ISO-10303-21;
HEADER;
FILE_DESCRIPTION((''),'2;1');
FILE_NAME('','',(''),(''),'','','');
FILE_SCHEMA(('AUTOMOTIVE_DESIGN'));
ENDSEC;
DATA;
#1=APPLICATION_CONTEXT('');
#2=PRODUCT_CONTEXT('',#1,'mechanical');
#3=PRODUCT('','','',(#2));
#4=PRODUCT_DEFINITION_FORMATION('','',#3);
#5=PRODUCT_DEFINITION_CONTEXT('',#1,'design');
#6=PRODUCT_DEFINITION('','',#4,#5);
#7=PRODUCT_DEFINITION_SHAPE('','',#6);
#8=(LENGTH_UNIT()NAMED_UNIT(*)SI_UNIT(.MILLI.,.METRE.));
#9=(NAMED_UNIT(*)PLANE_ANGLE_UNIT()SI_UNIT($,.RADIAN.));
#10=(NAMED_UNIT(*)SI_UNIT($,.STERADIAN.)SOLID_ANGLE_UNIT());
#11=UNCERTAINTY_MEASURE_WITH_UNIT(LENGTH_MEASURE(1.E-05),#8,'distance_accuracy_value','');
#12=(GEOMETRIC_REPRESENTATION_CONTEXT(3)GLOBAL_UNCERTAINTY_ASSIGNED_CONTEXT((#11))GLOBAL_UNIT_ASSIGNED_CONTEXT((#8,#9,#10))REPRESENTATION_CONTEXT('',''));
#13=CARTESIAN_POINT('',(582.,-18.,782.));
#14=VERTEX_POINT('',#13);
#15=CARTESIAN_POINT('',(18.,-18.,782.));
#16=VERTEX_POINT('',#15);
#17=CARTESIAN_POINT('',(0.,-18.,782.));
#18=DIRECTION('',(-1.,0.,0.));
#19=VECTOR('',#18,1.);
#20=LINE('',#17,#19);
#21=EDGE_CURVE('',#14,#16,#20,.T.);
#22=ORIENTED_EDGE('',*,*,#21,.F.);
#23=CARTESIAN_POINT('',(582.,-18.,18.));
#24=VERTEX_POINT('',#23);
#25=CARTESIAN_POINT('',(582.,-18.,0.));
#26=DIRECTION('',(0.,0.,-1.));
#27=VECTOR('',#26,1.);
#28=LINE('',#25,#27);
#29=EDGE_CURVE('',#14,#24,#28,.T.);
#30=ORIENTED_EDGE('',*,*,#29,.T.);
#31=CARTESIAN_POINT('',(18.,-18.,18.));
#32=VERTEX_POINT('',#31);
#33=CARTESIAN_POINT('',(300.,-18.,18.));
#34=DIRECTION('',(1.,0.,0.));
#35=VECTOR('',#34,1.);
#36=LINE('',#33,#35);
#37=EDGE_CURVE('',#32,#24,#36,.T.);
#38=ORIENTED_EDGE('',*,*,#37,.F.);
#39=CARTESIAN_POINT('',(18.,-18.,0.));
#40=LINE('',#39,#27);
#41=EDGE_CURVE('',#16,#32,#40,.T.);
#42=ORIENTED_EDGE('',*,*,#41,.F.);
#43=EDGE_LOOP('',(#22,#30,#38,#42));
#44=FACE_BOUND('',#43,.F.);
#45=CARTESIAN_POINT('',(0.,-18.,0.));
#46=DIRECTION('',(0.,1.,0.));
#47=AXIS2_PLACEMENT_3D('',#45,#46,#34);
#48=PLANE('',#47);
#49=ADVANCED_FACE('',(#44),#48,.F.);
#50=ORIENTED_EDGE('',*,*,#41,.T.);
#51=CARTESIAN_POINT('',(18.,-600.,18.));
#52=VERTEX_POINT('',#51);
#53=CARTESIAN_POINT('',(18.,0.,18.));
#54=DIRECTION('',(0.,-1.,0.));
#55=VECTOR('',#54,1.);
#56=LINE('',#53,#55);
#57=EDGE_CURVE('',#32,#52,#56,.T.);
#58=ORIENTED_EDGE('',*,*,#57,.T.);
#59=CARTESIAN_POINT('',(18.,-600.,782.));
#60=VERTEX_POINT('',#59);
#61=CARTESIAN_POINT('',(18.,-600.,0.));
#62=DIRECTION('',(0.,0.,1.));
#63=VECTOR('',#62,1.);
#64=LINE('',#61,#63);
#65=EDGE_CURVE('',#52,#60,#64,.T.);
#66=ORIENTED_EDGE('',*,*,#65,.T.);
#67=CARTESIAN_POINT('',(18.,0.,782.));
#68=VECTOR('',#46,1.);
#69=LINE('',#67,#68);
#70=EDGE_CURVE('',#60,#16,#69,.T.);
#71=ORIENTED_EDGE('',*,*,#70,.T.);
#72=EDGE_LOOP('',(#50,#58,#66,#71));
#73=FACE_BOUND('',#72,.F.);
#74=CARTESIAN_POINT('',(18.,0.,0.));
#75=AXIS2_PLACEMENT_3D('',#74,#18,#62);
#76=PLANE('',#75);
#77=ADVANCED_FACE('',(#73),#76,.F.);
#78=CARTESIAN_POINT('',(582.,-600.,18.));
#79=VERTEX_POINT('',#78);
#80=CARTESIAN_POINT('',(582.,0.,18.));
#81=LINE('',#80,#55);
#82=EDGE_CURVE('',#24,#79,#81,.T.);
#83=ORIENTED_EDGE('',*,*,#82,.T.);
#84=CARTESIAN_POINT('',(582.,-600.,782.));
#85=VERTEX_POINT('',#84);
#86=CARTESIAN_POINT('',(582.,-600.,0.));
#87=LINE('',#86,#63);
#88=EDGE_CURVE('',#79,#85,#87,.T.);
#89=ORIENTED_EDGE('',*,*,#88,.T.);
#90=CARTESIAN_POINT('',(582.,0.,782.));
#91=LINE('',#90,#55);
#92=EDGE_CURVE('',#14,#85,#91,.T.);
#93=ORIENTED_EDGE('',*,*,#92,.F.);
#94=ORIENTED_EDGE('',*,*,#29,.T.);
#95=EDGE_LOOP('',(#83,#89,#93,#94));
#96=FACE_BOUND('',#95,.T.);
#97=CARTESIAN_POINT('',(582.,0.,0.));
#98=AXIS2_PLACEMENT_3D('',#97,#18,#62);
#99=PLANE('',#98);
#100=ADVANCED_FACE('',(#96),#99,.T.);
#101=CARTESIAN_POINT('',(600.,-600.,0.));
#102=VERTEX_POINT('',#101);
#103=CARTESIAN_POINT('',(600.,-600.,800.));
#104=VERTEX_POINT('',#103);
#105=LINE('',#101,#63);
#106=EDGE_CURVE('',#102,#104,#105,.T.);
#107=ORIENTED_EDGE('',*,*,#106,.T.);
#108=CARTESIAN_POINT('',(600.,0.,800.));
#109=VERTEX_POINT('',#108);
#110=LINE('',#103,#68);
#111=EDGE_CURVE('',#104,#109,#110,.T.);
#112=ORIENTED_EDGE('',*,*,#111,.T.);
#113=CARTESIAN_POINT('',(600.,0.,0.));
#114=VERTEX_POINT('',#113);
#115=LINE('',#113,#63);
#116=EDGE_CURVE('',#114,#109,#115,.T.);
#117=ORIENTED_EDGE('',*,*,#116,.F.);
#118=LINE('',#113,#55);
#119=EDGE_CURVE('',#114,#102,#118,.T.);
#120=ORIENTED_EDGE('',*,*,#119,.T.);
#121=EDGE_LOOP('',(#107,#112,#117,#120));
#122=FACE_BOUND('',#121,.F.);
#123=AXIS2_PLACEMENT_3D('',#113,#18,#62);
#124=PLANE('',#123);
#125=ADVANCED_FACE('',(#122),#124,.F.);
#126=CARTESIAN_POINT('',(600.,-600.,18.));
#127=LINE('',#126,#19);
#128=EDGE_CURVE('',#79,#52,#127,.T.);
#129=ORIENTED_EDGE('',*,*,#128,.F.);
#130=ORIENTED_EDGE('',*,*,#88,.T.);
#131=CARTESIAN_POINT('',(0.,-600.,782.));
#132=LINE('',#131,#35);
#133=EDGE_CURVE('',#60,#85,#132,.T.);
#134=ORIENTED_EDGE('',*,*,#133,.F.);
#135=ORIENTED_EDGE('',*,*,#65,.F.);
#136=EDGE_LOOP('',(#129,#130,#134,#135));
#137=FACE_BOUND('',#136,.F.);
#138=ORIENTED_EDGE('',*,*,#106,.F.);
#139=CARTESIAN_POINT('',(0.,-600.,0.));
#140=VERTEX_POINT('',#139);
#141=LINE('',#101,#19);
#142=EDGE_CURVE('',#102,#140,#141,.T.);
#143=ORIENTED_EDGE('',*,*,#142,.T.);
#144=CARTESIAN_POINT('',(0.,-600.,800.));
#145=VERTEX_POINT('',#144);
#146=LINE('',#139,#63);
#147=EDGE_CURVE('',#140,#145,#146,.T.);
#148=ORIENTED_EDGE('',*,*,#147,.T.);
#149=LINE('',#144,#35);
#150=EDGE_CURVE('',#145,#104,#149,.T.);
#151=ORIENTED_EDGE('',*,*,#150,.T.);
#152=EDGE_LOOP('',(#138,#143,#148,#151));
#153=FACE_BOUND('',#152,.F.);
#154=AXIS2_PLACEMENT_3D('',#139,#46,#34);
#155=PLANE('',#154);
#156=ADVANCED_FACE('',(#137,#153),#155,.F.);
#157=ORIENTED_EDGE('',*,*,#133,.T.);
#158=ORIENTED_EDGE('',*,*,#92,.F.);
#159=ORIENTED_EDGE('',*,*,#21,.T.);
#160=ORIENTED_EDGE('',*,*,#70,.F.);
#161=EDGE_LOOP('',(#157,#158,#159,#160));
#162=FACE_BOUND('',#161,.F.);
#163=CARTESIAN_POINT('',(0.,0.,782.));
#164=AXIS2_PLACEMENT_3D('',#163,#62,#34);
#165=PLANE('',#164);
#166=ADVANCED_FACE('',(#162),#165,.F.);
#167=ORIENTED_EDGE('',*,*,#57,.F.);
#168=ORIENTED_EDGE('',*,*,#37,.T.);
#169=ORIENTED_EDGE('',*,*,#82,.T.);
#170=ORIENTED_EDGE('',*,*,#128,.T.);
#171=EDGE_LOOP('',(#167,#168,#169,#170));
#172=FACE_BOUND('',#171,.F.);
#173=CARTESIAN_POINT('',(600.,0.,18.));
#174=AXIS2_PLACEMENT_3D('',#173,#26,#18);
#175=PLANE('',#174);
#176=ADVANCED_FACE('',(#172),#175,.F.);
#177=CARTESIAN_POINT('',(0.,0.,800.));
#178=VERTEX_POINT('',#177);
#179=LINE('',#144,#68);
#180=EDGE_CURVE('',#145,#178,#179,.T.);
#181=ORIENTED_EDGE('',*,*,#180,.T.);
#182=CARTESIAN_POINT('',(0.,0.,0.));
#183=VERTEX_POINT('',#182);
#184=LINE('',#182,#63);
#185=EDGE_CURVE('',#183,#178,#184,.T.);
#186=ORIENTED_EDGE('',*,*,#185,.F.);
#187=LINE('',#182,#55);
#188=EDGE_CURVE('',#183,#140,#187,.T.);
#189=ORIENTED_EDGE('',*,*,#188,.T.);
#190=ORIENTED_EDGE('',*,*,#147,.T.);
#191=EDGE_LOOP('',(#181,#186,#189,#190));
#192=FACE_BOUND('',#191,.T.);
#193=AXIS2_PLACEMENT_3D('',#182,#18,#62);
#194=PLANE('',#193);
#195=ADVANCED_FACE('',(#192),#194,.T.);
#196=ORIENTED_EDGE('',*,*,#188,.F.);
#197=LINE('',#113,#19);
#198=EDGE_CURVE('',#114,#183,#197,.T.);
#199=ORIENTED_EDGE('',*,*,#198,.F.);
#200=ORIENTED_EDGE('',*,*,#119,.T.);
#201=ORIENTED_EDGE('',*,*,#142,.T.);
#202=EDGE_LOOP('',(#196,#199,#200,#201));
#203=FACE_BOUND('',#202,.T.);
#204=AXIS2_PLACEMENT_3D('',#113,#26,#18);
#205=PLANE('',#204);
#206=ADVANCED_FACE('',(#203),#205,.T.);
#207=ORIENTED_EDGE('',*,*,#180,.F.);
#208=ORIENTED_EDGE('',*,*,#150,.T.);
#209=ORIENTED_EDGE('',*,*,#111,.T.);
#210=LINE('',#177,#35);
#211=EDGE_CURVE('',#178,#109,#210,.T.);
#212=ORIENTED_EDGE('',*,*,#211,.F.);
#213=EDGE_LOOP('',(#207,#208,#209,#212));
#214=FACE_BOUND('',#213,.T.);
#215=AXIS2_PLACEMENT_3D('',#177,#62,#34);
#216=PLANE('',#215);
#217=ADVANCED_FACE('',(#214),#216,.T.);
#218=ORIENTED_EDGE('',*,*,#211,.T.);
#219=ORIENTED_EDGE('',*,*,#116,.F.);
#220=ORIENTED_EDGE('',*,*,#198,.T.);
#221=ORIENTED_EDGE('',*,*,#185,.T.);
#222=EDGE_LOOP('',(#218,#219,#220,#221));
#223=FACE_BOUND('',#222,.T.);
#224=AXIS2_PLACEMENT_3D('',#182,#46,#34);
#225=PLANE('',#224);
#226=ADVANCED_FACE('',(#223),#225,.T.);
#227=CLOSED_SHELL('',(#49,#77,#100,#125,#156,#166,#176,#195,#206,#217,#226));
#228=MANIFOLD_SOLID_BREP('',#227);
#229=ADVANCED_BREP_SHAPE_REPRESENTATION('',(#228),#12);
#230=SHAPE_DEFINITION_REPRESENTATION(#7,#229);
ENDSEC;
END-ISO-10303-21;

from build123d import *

# Parameters (mm, degrees)
F0_W     = 50.6739839911
F0_H     = 37.3927876353
F1_DEPTH = 800
F2_DEPTH = 600
F3_DEPTH = 600
F4_T     = -18


with BuildPart() as f1:
    # F0 (on Top) → F1 (new body)
    with BuildSketch(Plane.XY):
        with Locations((25.3369919956, -18.6963938177)):
            Rectangle(F0_W, F0_H)
    extrude(amount=F1_DEPTH)

    # F2 (add): a face of the model
    f2_faces = [f1.faces().sort_by_distance(p)[0] for p in [
        (0, -18.6963938177, 400),
    ]]
    extrude(f2_faces, amount=-F2_DEPTH)

    # F3 (add): a face of the model
    f3_faces = [f1.faces().sort_by_distance(p)[0] for p in [
        (300, 0, 400),
    ]]
    extrude(f3_faces, amount=-F3_DEPTH)

    # F4
    f4_openings = [f1.faces().sort_by_distance(p)[0] for p in [
        (300, -600, 400),
    ]]
    offset(amount=F4_T, openings=f4_openings)


solid = f1.part
